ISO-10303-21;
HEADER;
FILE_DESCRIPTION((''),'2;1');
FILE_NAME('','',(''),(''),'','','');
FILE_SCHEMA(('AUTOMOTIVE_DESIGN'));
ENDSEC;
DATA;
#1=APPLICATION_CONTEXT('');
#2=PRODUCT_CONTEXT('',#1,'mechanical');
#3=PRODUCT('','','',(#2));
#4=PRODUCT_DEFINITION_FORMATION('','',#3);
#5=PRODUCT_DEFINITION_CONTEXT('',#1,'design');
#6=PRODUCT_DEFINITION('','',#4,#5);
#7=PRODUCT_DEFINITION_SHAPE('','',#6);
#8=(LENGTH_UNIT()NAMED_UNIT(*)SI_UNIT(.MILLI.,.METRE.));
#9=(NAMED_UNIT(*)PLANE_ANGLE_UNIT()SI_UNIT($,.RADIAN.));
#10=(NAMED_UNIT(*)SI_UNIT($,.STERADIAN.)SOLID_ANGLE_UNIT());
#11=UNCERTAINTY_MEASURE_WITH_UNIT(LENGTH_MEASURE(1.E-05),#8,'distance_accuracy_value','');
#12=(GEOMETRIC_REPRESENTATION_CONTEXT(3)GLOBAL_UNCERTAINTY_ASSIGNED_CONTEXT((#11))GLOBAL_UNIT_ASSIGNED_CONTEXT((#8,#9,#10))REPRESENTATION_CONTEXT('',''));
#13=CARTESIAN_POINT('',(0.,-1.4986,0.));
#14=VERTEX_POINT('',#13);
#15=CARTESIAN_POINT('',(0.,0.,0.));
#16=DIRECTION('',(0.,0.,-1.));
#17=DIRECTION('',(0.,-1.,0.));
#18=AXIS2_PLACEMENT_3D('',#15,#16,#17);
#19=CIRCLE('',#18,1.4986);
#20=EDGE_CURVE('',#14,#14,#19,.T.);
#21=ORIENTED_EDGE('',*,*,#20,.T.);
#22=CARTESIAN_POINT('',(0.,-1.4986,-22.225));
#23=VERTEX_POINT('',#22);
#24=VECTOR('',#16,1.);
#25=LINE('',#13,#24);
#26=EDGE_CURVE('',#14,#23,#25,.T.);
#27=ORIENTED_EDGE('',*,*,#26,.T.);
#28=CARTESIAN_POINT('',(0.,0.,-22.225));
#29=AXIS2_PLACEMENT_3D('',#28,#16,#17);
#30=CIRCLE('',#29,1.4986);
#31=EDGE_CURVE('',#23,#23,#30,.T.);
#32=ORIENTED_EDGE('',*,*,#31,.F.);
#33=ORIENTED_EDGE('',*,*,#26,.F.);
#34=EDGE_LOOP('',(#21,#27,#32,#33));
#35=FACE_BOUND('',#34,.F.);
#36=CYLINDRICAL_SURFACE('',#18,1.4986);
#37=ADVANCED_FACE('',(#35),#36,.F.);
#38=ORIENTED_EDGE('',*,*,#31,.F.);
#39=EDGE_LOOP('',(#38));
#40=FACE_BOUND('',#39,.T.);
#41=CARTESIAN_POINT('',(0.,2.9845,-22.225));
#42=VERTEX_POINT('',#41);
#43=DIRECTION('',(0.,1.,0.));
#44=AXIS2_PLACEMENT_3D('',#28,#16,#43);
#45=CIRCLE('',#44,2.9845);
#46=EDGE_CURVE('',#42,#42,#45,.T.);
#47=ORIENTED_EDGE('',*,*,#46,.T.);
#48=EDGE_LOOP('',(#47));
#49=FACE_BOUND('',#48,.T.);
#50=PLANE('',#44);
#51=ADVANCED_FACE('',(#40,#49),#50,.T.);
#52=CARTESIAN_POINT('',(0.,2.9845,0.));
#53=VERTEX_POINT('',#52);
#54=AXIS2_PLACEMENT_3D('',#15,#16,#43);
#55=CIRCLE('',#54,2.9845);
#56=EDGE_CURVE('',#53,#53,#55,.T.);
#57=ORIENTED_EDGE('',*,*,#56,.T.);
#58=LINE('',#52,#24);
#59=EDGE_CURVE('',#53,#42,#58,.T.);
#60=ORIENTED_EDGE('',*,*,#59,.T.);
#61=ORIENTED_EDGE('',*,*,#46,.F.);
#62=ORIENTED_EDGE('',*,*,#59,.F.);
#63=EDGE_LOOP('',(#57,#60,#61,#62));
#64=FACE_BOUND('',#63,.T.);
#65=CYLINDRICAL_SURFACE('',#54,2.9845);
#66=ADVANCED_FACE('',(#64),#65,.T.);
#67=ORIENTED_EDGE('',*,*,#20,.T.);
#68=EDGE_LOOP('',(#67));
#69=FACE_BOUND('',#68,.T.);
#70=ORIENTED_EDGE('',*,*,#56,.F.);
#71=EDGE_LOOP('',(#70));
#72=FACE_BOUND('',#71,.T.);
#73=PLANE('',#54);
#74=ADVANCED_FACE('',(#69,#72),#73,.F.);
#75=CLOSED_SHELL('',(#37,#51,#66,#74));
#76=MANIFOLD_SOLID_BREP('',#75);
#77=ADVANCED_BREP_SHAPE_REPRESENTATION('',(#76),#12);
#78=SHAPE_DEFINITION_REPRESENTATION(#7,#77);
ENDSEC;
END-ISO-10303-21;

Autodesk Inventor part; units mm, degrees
sketch "Sketch_1" plane through (0, 0, 0) normal (1, 0, 0) x (0, 1, 0)
  line L0 (0, -22.225) -> (0, 0)
  line L1 (0, 0) -> (2.9845, 0)
  line L2 (2.9845, 0) -> (2.9845, -22.225)
  line L3 (2.9845, -22.225) -> (0, -22.225)
  line L4 (0, -22.225) -> (0, 0)
revolve "Revolution1" add sketch "Sketch_1" angle 360 about axis through (0, 0, -22.225) along (0, 0, -1)
sketch "Sketch2" plane through (0, 0, 0) normal (0, 0, 1) x (1, 0, 0)
  point P0 (0, 0)
hole "Hole1" at (0, 0, 0) direction (0, 0, -1) diameter 2.9972 depth 22.225
ref_plane "screw_XY" through (0, 0, 0) normal (0, 0, 1) x (1, 0, 0)
ref_plane "screw_YZ" through (0, 0, 0) normal (1, 0, 0) x (0, 1, 0)
ref_plane "screw_ZX" through (0, 0, 0) normal (0, 1, 0) x (0, 0, 1)
properties part number "POST0.5625-0.875-bif"
